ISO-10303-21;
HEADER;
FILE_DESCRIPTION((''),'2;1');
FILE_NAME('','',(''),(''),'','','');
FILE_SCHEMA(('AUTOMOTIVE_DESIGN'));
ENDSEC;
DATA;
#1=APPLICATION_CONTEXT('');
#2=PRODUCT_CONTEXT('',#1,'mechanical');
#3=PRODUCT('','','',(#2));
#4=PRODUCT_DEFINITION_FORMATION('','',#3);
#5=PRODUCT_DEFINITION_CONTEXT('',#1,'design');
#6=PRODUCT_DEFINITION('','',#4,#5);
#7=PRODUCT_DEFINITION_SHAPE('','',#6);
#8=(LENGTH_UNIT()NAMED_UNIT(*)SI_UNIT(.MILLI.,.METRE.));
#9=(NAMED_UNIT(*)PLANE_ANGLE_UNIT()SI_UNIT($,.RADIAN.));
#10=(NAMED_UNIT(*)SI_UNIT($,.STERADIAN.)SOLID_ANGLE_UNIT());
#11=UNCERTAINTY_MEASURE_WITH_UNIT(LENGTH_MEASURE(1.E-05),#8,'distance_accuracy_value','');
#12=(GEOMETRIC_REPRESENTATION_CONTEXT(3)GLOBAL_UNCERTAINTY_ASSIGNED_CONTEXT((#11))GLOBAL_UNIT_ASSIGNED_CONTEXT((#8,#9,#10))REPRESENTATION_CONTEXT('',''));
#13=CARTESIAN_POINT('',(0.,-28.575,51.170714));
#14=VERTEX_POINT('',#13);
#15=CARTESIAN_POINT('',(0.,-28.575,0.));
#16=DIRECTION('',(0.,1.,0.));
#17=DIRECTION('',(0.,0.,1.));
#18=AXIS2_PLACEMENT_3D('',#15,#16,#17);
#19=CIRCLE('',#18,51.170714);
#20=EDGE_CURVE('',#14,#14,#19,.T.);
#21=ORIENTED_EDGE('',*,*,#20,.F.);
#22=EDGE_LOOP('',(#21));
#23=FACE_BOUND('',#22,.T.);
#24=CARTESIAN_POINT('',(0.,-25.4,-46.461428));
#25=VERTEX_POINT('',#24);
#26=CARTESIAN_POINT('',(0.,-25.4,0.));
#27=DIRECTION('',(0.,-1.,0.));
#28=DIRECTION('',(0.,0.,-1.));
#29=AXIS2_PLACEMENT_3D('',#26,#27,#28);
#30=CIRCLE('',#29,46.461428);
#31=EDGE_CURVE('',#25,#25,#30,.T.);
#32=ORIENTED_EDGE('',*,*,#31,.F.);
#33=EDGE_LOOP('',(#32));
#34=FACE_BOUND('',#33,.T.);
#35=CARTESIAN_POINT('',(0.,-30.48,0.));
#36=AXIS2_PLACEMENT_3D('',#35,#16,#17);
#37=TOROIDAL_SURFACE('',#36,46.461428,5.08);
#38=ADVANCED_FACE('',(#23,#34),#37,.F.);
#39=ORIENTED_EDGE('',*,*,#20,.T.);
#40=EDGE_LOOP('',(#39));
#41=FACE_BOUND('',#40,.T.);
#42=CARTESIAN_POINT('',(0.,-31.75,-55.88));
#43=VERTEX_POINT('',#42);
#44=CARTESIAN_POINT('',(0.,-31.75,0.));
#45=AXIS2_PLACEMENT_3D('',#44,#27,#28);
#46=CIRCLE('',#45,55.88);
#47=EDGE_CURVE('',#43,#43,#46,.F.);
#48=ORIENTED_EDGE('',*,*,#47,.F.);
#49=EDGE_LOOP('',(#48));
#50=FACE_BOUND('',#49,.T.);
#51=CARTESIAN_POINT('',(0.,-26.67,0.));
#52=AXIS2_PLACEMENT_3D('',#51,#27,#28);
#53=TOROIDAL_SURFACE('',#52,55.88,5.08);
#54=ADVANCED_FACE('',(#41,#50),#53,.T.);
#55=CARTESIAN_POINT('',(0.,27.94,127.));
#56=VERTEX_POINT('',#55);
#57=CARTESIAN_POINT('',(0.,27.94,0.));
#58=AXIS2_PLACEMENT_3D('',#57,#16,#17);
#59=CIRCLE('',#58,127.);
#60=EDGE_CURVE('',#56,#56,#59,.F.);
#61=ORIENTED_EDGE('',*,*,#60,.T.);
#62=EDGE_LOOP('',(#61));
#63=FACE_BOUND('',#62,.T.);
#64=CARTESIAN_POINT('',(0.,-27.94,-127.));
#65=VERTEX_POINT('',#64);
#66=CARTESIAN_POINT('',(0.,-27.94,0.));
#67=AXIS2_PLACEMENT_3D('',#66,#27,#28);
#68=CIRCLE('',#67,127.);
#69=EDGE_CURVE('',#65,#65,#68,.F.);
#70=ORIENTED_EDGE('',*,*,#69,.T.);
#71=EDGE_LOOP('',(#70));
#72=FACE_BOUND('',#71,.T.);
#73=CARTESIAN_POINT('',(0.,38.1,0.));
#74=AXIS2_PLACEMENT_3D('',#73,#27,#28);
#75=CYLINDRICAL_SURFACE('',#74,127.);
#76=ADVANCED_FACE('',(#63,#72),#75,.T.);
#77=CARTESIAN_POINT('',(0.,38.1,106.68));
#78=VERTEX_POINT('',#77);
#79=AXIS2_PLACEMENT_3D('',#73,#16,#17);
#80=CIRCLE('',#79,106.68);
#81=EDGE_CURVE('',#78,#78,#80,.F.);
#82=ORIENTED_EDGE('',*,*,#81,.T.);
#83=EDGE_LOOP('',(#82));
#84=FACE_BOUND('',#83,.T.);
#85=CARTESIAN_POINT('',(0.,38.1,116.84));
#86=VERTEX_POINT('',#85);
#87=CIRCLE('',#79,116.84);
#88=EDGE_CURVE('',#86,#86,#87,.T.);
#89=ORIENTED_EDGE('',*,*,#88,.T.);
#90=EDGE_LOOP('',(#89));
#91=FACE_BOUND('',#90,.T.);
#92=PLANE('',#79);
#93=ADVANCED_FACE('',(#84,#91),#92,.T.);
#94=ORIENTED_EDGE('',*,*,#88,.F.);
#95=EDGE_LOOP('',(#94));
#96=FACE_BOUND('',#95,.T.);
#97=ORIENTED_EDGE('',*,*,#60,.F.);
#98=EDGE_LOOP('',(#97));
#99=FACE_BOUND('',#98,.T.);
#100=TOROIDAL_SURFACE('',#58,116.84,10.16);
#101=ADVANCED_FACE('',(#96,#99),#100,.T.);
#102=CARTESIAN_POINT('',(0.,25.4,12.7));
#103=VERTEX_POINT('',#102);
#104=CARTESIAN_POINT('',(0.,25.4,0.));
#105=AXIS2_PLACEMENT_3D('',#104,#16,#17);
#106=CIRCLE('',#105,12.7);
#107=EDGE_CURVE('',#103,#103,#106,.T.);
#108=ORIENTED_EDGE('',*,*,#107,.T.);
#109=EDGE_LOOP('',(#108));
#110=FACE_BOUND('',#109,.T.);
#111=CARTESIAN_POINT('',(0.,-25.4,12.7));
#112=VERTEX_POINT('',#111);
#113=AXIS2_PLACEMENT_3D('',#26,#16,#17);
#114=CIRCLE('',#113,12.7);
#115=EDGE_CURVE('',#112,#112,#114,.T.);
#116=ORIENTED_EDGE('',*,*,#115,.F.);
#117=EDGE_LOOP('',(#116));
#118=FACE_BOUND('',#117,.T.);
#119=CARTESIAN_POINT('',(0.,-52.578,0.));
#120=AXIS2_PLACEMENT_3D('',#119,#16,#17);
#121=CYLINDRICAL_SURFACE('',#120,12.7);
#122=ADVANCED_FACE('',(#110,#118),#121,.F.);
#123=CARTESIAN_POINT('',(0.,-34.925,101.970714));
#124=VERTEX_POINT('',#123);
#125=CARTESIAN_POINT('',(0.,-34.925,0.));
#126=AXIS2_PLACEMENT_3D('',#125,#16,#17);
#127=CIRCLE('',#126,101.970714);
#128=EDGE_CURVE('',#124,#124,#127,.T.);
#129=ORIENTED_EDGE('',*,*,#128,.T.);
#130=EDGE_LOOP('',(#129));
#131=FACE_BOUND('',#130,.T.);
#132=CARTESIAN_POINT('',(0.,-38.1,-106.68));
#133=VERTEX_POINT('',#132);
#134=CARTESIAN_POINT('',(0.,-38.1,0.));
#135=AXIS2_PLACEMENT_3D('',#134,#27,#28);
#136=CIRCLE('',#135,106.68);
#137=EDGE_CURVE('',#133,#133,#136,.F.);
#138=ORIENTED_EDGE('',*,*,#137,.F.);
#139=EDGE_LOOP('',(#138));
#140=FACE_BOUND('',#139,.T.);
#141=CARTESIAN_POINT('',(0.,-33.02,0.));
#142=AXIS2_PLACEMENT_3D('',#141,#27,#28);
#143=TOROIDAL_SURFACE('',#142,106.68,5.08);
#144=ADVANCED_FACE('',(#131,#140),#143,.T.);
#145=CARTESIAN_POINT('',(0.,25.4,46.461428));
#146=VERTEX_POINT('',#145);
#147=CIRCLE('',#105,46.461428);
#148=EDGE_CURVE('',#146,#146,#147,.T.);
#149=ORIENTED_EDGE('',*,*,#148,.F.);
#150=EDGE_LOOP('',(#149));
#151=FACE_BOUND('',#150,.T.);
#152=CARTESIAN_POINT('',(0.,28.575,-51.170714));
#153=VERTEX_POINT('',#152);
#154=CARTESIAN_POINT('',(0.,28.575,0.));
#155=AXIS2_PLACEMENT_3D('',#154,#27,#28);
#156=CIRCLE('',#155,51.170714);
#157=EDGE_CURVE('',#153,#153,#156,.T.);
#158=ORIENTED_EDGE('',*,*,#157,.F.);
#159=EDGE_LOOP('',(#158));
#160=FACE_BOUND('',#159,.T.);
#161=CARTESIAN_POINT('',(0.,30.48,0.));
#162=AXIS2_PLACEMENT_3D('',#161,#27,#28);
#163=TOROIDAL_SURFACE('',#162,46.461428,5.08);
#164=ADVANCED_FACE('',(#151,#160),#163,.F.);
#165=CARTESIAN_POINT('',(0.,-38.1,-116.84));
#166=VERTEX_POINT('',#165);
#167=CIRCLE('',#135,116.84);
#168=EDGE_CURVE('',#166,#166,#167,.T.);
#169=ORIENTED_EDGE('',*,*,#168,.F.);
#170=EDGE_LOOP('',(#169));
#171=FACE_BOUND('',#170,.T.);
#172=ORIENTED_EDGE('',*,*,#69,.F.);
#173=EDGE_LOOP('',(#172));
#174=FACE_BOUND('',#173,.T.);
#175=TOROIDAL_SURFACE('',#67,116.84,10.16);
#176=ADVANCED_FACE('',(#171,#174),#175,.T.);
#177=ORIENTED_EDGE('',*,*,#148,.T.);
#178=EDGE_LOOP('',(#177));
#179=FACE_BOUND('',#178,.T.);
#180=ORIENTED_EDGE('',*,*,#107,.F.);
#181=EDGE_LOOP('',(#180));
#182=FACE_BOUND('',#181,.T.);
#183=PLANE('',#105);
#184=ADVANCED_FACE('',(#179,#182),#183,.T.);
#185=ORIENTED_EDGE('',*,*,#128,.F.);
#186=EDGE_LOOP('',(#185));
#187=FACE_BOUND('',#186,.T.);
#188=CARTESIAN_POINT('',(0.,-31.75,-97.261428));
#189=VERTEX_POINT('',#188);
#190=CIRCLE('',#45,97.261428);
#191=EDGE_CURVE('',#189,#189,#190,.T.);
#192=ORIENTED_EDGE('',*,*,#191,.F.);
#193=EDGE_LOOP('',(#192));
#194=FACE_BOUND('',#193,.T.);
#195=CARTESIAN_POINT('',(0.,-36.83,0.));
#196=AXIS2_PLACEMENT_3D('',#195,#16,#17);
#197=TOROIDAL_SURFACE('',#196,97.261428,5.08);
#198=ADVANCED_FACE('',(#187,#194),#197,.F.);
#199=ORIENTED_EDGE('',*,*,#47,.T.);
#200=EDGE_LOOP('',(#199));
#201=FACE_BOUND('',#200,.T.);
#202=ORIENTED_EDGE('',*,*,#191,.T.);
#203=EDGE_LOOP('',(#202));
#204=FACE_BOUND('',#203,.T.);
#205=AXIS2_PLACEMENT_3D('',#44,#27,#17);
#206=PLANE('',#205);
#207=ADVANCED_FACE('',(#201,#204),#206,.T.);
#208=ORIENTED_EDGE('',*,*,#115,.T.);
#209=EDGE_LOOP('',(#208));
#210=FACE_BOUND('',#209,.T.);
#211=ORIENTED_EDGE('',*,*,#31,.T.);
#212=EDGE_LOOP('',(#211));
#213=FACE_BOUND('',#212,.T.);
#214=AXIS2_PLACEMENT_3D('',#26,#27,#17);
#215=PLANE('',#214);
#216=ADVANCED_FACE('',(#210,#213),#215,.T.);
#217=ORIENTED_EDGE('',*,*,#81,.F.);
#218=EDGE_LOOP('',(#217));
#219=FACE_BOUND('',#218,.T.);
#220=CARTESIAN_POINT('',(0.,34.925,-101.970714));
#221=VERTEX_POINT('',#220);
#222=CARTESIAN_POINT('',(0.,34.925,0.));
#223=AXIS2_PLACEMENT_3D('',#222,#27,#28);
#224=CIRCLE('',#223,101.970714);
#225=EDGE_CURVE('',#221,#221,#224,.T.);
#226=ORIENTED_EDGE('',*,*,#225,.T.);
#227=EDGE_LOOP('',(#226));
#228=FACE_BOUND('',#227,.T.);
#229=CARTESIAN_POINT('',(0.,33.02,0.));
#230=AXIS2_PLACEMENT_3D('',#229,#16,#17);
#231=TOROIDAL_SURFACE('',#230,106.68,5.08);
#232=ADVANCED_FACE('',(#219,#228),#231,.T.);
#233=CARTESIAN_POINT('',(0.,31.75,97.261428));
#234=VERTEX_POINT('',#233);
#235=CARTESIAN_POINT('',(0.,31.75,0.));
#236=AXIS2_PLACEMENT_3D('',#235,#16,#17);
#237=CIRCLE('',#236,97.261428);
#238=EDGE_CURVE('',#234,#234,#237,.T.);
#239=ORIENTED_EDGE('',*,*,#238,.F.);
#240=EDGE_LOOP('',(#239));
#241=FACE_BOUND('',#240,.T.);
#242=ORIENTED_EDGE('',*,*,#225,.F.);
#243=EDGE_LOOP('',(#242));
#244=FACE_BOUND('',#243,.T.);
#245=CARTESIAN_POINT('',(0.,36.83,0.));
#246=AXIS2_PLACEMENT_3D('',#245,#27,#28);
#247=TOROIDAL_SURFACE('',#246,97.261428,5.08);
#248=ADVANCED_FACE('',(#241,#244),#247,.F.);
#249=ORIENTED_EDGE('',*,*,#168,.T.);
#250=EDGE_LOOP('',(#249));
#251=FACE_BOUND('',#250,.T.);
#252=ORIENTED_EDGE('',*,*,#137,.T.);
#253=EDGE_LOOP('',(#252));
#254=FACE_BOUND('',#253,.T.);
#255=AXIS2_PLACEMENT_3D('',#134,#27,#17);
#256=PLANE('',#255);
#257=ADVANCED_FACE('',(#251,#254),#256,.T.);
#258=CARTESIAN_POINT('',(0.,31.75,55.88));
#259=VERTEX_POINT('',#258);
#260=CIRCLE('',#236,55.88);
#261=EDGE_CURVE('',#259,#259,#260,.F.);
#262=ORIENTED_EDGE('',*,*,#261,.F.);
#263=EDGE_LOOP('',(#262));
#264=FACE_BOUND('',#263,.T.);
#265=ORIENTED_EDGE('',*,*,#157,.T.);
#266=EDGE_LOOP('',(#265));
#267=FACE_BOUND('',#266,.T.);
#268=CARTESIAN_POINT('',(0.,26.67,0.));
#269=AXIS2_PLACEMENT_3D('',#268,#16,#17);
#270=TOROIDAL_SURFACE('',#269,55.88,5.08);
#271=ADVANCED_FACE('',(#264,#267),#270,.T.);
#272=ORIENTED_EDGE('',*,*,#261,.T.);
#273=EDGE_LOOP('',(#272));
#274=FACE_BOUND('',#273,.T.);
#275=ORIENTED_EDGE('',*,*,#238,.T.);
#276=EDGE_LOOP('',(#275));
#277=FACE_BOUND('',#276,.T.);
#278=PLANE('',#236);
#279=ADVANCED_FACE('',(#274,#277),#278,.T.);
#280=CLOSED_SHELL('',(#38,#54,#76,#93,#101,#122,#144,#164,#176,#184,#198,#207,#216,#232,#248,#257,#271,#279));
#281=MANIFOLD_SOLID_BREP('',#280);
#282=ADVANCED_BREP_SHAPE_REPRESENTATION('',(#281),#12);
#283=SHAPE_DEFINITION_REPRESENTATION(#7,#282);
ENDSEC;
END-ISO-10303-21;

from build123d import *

# Parameters (mm, degrees)
SKETCH1_R            = 127
BOSS_EXTRUDE1_DEPTH  = 38.1
SKETCH2_R            = 101.6
CUT_EXTRUDE1_DEPTH   = 6.35
SKETCH3_R            = 50.8
CUT_EXTRUDE2_DEPTH   = 6.35
SKETCH4_R            = 12.7
CUT_EXTRUDE3_DEPTH   = 77.978
FILLET1_R            = 10.16
FILLET2_R            = 5.08
FILLET3_R            = 5.08
FILLET4_R            = 5.08
FILLET5_R            = 5.08
FILLET1_OF_MIRROR1_R = 10.16
FILLET2_OF_MIRROR1_R = 5.08
FILLET3_OF_MIRROR1_R = 5.08
FILLET4_OF_MIRROR1_R = 5.08
FILLET5_OF_MIRROR1_R = 5.08


with BuildPart() as part:
    # Sketch1 → Boss-Extrude1 (new body)
    with BuildSketch(Plane(origin=(0, 0, 0), x_dir=(1, 0, 0), z_dir=(0, 1, 0))):
        Circle(SKETCH1_R)
    boss_extrude1 = extrude(amount=BOSS_EXTRUDE1_DEPTH)

    # Sketch2 → Cut-Extrude1 (cut)
    with BuildSketch(Plane(origin=(0, 38.1, 0), x_dir=(1, 0, 0), z_dir=(0, 1, 0))):
        Circle(SKETCH2_R)
    cut_extrude1 = extrude(amount=-CUT_EXTRUDE1_DEPTH, mode=Mode.SUBTRACT)

    # Sketch3 → Cut-Extrude2 (cut)
    with BuildSketch(Plane(origin=(0, 31.75, 0), x_dir=(1, 0, 0), z_dir=(0, 1, 0))):
        Circle(SKETCH3_R)
    cut_extrude2 = extrude(amount=-CUT_EXTRUDE2_DEPTH, mode=Mode.SUBTRACT)

    # Sketch4 → Cut-Extrude3 (cut)
    with BuildSketch(Plane(origin=(0, 25.4, 0), x_dir=(1, 0, 0), z_dir=(0, 1, 0))):
        Circle(SKETCH4_R)
    cut_extrude3 = extrude(amount=-CUT_EXTRUDE3_DEPTH, mode=Mode.SUBTRACT)

    # Fillet1
    fillet1_edges = [part.edges().sort_by_distance(p)[0] for p in [
        (-127, 38.1, 0),
    ]]
    fillet(fillet1_edges, radius=FILLET1_R)

    # Fillet2
    fillet2_edges = [part.edges().sort_by_distance(p)[0] for p in [
        (-101.6, 38.1, 0),
    ]]
    fillet(fillet2_edges, radius=FILLET2_R)

    # Fillet3
    fillet3_edges = [part.edges().sort_by_distance(p)[0] for p in [
        (-101.6, 31.75, 0),
    ]]
    fillet(fillet3_edges, radius=FILLET3_R)

    # Fillet4
    fillet4_edges = [part.edges().sort_by_distance(p)[0] for p in [
        (-50.8, 31.75, 0),
    ]]
    fillet(fillet4_edges, radius=FILLET4_R)

    # Fillet5
    fillet5_edges = [part.edges().sort_by_distance(p)[0] for p in [
        (-50.8, 25.4, 0),
    ]]
    fillet(fillet5_edges, radius=FILLET5_R)

    # Mirror1: Boss-Extrude1, Cut-Extrude1, Cut-Extrude2, Cut-Extrude3 across plane
    add(boss_extrude1.mirror(Plane.ZX))
    add(cut_extrude1.mirror(Plane.ZX), mode=Mode.SUBTRACT)
    add(cut_extrude2.mirror(Plane.ZX), mode=Mode.SUBTRACT)
    add(cut_extrude3.mirror(Plane.ZX), mode=Mode.SUBTRACT)

    # Fillet1 of Mirror1
    fillet1_of_mirror1_edges = [part.edges().sort_by_distance(p)[0] for p in [
        (-127, -38.1, 0),
    ]]
    fillet(fillet1_of_mirror1_edges, radius=FILLET1_OF_MIRROR1_R)

    # Fillet2 of Mirror1
    fillet2_of_mirror1_edges = [part.edges().sort_by_distance(p)[0] for p in [
        (-101.6, -38.1, 0),
    ]]
    fillet(fillet2_of_mirror1_edges, radius=FILLET2_OF_MIRROR1_R)

    # Fillet3 of Mirror1
    fillet3_of_mirror1_edges = [part.edges().sort_by_distance(p)[0] for p in [
        (-101.6, -31.75, 0),
    ]]
    fillet(fillet3_of_mirror1_edges, radius=FILLET3_OF_MIRROR1_R)

    # Fillet4 of Mirror1
    fillet4_of_mirror1_edges = [part.edges().sort_by_distance(p)[0] for p in [
        (-50.8, -31.75, 0),
    ]]
    fillet(fillet4_of_mirror1_edges, radius=FILLET4_OF_MIRROR1_R)

    # Fillet5 of Mirror1
    fillet5_of_mirror1_edges = [part.edges().sort_by_distance(p)[0] for p in [
        (-50.8, -25.4, 0),
    ]]
    fillet(fillet5_of_mirror1_edges, radius=FILLET5_OF_MIRROR1_R)


solid = part.part
